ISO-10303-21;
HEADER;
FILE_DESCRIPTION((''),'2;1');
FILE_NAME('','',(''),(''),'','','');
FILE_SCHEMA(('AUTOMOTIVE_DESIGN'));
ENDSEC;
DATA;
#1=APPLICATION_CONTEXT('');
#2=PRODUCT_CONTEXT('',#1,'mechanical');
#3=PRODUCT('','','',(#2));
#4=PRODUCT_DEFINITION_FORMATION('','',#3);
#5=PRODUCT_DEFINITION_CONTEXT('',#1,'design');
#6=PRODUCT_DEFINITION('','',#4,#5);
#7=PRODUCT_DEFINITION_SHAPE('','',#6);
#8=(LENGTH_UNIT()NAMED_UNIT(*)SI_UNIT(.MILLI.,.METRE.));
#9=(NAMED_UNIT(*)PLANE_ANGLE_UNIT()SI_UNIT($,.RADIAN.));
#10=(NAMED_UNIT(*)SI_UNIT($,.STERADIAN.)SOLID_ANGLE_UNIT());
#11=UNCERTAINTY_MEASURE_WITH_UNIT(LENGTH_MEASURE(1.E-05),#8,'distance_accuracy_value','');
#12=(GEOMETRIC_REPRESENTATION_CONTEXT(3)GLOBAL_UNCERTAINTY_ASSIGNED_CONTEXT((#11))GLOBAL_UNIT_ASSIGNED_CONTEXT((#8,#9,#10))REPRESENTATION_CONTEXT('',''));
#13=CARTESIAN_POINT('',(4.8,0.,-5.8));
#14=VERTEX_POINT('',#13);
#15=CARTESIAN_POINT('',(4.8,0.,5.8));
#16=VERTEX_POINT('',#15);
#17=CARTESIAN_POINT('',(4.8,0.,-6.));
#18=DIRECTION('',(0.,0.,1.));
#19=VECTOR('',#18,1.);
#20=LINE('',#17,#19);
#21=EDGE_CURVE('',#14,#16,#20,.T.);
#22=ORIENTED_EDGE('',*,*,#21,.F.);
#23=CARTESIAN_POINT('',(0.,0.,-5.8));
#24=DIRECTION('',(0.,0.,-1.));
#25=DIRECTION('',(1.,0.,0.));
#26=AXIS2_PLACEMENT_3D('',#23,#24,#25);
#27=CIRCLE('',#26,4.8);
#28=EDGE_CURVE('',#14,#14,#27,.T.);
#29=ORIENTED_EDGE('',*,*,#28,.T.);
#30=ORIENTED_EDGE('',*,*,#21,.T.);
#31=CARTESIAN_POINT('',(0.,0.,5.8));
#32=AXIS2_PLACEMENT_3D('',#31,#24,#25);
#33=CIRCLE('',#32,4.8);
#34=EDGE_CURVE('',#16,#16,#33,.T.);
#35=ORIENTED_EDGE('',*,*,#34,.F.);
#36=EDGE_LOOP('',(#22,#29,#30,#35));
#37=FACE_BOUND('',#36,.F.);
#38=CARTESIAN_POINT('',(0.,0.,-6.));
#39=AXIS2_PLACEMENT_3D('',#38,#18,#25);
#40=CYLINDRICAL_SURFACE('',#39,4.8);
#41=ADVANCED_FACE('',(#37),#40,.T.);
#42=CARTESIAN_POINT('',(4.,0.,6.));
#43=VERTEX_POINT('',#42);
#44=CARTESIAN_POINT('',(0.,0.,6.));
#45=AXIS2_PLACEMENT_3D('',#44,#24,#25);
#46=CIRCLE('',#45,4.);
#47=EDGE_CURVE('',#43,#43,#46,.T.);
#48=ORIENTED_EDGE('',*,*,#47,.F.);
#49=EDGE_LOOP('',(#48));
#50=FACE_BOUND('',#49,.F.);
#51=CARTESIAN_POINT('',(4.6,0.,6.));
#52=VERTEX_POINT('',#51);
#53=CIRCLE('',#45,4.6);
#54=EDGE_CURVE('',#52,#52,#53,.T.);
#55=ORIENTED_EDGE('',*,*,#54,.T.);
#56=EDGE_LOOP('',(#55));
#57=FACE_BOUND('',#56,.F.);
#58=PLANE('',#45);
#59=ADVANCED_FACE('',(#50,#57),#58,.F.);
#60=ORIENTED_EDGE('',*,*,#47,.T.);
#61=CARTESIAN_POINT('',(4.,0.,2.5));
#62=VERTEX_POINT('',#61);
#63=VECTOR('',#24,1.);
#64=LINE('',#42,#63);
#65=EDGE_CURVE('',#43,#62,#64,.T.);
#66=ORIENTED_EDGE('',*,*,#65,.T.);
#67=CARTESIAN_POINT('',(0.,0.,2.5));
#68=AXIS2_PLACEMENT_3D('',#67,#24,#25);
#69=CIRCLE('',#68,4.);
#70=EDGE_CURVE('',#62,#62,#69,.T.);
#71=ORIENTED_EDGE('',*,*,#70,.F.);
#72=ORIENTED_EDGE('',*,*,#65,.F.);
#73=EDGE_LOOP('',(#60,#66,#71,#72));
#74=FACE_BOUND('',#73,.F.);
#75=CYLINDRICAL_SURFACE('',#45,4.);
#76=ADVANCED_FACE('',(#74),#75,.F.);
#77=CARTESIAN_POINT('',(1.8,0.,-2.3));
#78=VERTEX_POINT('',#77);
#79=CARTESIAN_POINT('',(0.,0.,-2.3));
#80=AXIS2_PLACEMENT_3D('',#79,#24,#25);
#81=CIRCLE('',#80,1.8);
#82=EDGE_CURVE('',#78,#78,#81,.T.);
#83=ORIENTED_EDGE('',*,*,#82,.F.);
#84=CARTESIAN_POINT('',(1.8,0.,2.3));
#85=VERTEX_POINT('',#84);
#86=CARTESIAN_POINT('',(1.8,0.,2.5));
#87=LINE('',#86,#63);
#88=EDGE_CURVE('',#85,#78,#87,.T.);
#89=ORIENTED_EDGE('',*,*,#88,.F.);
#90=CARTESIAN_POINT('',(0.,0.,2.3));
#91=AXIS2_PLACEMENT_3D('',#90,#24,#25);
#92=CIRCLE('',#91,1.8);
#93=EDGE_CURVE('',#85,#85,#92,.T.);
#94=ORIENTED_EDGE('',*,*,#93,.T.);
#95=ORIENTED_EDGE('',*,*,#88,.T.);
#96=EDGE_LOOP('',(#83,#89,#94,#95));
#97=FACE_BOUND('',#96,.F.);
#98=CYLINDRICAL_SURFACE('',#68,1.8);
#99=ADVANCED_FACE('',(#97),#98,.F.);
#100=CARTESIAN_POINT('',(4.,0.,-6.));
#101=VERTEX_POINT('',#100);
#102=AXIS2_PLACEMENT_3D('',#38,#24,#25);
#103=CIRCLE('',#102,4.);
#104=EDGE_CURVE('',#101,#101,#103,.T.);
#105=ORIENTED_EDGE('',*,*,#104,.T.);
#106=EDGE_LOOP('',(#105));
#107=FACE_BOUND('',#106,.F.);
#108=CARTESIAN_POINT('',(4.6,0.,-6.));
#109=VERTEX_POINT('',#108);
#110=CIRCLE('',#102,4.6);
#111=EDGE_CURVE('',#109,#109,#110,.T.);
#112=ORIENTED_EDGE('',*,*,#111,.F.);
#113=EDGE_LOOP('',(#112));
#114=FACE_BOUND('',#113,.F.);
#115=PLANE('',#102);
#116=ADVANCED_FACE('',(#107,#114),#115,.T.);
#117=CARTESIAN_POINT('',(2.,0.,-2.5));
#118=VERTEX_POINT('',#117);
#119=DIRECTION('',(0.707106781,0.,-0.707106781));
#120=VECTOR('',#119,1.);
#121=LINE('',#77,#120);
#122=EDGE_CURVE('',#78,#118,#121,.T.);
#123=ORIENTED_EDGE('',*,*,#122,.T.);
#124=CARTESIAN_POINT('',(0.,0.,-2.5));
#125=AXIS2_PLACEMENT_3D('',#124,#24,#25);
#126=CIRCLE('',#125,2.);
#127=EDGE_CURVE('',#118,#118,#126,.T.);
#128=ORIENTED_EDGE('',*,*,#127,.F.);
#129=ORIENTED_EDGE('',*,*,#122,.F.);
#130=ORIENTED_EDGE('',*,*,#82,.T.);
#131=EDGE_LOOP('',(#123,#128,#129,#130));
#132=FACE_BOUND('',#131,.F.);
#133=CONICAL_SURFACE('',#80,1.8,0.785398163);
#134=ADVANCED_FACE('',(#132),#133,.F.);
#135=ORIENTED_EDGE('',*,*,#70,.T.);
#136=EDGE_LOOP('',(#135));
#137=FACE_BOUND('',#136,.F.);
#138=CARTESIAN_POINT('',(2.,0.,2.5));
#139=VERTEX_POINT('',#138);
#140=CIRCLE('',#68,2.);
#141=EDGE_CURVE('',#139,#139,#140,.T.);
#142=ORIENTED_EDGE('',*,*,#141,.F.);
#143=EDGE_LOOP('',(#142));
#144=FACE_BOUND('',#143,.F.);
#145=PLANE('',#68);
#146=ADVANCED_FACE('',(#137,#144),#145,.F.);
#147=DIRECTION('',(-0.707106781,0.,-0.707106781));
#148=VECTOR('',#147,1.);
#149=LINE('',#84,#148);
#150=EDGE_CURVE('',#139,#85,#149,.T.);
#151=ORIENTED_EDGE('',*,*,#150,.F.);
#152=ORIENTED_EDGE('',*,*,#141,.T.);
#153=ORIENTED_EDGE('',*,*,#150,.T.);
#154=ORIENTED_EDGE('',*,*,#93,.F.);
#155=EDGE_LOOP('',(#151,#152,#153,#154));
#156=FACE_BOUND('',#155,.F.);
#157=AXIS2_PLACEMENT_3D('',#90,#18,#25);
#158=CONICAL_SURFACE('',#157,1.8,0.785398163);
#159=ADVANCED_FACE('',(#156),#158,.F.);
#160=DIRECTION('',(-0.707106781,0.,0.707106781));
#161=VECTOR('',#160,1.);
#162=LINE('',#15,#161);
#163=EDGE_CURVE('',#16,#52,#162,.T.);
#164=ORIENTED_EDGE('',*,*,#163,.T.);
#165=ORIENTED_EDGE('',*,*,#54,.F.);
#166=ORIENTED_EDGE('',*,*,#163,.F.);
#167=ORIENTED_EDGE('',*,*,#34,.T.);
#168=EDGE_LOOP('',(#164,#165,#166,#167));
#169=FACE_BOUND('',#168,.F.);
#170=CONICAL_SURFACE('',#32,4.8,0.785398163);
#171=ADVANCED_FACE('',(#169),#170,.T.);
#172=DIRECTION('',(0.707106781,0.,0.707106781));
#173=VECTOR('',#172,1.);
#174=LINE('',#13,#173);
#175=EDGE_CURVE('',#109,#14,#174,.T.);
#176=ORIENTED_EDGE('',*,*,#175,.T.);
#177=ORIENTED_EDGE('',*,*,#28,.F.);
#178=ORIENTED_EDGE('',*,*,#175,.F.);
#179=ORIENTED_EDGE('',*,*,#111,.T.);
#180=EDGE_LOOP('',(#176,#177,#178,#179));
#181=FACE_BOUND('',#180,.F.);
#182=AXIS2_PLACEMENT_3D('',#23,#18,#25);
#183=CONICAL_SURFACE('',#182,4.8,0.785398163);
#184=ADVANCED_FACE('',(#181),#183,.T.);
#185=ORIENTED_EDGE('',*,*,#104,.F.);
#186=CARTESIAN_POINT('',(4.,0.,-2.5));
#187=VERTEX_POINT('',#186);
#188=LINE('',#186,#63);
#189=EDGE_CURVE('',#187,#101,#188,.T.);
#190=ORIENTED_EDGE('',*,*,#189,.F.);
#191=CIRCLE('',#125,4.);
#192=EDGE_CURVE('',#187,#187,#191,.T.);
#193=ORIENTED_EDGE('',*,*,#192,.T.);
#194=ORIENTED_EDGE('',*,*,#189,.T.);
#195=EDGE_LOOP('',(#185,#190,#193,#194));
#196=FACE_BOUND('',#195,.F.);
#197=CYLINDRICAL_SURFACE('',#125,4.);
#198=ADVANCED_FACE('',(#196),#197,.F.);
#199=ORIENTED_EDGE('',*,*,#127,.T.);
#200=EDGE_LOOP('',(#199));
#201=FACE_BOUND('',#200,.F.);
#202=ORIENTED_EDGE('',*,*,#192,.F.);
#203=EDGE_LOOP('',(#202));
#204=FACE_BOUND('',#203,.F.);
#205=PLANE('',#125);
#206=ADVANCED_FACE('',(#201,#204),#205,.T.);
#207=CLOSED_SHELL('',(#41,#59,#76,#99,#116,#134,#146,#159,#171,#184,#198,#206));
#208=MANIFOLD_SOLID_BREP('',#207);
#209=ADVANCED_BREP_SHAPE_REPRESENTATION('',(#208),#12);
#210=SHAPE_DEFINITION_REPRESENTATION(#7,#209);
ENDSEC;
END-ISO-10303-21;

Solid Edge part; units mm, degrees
sketch "Sketch1" plane through (0, 0, 0) normal (0, -1, 0) x (1, 0, 0)
  line L0 (4, 6) -> (4, 2.5)
  line L1 (4, 2.5) -> (1.8, 2.5)
  line L2 (1.8, 2.5) -> (1.8, -2.5)
  line L3 (1.8, -2.5) -> (4, -2.5)
  line L4 (4, -2.5) -> (4, -6)
  line L5 (4, -6) -> (4.8, -6)
  line L6 (4.8, -6) -> (4.8, 6)
  line L7 (4.8, 6) -> (4, 6)
revolve "RevolvedProtrusion1" add sketch "Sketch1" angle 360 about axis through (0, 0, 6) along (0, 0, -1)
chamfer "Chamfer1" distance 0.2 angle 45 4 edges at (-4.8, 0, 6) (-4.8, 0, -6) (-1.8, 0, 2.5) (-1.8, 0, -2.5)
